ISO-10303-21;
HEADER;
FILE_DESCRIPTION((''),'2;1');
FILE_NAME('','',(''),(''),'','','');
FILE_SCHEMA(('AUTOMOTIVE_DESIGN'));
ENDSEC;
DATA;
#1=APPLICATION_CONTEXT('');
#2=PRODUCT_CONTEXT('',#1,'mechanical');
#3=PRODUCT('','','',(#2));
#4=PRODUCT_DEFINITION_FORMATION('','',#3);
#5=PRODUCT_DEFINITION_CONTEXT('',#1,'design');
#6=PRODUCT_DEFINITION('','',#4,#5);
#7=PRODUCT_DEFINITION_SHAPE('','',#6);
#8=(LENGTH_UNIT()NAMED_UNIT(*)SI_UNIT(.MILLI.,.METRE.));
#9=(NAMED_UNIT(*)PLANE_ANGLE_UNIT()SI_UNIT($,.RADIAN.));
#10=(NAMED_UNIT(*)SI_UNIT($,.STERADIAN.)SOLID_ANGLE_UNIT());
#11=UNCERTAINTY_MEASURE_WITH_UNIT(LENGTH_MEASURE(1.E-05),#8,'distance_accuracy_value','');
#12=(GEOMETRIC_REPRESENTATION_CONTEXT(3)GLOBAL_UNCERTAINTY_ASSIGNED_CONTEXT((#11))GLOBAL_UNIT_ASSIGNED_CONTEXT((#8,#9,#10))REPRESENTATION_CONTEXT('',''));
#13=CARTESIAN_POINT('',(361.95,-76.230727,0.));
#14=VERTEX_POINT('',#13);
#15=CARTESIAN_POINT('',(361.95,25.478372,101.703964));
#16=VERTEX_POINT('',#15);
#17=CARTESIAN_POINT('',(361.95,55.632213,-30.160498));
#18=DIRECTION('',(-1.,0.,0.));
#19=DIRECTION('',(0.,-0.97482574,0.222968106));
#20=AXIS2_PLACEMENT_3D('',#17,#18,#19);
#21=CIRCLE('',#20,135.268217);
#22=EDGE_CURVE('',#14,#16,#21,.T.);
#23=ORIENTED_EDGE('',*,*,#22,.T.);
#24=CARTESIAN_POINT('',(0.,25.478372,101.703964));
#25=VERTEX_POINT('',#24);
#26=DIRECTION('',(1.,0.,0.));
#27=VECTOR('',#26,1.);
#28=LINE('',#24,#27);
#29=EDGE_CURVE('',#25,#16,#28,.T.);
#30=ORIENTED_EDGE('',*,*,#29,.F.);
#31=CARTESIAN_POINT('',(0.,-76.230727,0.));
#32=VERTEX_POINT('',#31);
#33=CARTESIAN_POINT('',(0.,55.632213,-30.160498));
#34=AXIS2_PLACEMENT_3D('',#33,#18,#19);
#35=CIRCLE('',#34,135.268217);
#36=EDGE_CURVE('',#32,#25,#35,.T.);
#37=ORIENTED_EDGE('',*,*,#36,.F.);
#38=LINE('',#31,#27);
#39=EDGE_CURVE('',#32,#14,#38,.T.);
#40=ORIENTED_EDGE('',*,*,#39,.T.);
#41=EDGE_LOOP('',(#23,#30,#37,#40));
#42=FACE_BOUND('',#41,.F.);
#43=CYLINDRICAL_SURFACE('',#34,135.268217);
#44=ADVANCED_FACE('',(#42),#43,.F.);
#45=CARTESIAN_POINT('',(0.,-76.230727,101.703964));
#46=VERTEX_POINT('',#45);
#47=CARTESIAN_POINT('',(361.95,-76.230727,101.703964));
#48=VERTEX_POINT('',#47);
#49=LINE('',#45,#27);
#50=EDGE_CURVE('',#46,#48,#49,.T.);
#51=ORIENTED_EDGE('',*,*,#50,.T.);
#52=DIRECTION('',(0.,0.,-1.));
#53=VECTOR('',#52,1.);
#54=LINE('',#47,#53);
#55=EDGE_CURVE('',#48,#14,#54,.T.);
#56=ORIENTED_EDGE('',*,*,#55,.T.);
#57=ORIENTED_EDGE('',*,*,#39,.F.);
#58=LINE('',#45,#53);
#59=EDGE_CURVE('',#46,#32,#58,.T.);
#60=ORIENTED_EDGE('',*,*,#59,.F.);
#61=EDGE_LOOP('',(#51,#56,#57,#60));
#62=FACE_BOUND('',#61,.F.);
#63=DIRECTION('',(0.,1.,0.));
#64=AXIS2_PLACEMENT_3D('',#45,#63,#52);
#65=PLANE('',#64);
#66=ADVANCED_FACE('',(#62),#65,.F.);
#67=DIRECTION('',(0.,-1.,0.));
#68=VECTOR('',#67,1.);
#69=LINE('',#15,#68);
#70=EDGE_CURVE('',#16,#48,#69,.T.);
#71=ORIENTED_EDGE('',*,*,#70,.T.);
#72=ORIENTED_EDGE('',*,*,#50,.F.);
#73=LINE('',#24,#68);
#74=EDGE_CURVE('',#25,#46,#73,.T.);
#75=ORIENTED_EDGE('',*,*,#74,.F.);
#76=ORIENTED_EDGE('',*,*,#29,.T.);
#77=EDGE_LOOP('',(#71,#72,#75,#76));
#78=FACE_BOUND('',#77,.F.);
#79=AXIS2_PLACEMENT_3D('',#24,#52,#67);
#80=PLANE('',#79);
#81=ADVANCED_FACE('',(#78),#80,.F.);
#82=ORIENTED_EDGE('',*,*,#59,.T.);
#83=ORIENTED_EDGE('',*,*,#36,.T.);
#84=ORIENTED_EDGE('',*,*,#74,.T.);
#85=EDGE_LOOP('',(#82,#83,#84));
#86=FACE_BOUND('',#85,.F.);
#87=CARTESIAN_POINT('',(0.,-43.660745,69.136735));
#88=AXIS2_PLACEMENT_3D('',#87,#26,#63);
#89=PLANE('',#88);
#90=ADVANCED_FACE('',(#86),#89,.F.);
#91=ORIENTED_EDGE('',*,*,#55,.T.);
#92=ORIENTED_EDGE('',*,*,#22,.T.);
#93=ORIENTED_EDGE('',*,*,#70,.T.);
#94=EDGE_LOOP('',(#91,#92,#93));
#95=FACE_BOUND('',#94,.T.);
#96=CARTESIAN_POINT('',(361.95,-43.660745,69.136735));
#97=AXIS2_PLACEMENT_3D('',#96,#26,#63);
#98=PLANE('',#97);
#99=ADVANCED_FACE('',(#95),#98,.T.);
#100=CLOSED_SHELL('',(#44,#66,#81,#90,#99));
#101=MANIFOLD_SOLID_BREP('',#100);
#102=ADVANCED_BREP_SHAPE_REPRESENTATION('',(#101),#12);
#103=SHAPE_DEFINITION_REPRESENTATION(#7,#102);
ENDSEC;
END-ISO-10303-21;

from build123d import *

# Parameters (mm, degrees)
F1_DEPTH = 361.95


with BuildPart() as f1:
    # F0 (on Right) → F1 (new body)
    with BuildSketch(Plane.YZ):
        with BuildLine():
            Line((-76.230727, 101.703964), (-76.230727, 0))
            ThreePointArc((-76.230727, 0), (-40.014446, 65.49099), (25.478372, 101.703964))
            Line((25.478372, 101.703964), (-76.230727, 101.703964))
        make_face()
    extrude(amount=F1_DEPTH)


solid = f1.part
